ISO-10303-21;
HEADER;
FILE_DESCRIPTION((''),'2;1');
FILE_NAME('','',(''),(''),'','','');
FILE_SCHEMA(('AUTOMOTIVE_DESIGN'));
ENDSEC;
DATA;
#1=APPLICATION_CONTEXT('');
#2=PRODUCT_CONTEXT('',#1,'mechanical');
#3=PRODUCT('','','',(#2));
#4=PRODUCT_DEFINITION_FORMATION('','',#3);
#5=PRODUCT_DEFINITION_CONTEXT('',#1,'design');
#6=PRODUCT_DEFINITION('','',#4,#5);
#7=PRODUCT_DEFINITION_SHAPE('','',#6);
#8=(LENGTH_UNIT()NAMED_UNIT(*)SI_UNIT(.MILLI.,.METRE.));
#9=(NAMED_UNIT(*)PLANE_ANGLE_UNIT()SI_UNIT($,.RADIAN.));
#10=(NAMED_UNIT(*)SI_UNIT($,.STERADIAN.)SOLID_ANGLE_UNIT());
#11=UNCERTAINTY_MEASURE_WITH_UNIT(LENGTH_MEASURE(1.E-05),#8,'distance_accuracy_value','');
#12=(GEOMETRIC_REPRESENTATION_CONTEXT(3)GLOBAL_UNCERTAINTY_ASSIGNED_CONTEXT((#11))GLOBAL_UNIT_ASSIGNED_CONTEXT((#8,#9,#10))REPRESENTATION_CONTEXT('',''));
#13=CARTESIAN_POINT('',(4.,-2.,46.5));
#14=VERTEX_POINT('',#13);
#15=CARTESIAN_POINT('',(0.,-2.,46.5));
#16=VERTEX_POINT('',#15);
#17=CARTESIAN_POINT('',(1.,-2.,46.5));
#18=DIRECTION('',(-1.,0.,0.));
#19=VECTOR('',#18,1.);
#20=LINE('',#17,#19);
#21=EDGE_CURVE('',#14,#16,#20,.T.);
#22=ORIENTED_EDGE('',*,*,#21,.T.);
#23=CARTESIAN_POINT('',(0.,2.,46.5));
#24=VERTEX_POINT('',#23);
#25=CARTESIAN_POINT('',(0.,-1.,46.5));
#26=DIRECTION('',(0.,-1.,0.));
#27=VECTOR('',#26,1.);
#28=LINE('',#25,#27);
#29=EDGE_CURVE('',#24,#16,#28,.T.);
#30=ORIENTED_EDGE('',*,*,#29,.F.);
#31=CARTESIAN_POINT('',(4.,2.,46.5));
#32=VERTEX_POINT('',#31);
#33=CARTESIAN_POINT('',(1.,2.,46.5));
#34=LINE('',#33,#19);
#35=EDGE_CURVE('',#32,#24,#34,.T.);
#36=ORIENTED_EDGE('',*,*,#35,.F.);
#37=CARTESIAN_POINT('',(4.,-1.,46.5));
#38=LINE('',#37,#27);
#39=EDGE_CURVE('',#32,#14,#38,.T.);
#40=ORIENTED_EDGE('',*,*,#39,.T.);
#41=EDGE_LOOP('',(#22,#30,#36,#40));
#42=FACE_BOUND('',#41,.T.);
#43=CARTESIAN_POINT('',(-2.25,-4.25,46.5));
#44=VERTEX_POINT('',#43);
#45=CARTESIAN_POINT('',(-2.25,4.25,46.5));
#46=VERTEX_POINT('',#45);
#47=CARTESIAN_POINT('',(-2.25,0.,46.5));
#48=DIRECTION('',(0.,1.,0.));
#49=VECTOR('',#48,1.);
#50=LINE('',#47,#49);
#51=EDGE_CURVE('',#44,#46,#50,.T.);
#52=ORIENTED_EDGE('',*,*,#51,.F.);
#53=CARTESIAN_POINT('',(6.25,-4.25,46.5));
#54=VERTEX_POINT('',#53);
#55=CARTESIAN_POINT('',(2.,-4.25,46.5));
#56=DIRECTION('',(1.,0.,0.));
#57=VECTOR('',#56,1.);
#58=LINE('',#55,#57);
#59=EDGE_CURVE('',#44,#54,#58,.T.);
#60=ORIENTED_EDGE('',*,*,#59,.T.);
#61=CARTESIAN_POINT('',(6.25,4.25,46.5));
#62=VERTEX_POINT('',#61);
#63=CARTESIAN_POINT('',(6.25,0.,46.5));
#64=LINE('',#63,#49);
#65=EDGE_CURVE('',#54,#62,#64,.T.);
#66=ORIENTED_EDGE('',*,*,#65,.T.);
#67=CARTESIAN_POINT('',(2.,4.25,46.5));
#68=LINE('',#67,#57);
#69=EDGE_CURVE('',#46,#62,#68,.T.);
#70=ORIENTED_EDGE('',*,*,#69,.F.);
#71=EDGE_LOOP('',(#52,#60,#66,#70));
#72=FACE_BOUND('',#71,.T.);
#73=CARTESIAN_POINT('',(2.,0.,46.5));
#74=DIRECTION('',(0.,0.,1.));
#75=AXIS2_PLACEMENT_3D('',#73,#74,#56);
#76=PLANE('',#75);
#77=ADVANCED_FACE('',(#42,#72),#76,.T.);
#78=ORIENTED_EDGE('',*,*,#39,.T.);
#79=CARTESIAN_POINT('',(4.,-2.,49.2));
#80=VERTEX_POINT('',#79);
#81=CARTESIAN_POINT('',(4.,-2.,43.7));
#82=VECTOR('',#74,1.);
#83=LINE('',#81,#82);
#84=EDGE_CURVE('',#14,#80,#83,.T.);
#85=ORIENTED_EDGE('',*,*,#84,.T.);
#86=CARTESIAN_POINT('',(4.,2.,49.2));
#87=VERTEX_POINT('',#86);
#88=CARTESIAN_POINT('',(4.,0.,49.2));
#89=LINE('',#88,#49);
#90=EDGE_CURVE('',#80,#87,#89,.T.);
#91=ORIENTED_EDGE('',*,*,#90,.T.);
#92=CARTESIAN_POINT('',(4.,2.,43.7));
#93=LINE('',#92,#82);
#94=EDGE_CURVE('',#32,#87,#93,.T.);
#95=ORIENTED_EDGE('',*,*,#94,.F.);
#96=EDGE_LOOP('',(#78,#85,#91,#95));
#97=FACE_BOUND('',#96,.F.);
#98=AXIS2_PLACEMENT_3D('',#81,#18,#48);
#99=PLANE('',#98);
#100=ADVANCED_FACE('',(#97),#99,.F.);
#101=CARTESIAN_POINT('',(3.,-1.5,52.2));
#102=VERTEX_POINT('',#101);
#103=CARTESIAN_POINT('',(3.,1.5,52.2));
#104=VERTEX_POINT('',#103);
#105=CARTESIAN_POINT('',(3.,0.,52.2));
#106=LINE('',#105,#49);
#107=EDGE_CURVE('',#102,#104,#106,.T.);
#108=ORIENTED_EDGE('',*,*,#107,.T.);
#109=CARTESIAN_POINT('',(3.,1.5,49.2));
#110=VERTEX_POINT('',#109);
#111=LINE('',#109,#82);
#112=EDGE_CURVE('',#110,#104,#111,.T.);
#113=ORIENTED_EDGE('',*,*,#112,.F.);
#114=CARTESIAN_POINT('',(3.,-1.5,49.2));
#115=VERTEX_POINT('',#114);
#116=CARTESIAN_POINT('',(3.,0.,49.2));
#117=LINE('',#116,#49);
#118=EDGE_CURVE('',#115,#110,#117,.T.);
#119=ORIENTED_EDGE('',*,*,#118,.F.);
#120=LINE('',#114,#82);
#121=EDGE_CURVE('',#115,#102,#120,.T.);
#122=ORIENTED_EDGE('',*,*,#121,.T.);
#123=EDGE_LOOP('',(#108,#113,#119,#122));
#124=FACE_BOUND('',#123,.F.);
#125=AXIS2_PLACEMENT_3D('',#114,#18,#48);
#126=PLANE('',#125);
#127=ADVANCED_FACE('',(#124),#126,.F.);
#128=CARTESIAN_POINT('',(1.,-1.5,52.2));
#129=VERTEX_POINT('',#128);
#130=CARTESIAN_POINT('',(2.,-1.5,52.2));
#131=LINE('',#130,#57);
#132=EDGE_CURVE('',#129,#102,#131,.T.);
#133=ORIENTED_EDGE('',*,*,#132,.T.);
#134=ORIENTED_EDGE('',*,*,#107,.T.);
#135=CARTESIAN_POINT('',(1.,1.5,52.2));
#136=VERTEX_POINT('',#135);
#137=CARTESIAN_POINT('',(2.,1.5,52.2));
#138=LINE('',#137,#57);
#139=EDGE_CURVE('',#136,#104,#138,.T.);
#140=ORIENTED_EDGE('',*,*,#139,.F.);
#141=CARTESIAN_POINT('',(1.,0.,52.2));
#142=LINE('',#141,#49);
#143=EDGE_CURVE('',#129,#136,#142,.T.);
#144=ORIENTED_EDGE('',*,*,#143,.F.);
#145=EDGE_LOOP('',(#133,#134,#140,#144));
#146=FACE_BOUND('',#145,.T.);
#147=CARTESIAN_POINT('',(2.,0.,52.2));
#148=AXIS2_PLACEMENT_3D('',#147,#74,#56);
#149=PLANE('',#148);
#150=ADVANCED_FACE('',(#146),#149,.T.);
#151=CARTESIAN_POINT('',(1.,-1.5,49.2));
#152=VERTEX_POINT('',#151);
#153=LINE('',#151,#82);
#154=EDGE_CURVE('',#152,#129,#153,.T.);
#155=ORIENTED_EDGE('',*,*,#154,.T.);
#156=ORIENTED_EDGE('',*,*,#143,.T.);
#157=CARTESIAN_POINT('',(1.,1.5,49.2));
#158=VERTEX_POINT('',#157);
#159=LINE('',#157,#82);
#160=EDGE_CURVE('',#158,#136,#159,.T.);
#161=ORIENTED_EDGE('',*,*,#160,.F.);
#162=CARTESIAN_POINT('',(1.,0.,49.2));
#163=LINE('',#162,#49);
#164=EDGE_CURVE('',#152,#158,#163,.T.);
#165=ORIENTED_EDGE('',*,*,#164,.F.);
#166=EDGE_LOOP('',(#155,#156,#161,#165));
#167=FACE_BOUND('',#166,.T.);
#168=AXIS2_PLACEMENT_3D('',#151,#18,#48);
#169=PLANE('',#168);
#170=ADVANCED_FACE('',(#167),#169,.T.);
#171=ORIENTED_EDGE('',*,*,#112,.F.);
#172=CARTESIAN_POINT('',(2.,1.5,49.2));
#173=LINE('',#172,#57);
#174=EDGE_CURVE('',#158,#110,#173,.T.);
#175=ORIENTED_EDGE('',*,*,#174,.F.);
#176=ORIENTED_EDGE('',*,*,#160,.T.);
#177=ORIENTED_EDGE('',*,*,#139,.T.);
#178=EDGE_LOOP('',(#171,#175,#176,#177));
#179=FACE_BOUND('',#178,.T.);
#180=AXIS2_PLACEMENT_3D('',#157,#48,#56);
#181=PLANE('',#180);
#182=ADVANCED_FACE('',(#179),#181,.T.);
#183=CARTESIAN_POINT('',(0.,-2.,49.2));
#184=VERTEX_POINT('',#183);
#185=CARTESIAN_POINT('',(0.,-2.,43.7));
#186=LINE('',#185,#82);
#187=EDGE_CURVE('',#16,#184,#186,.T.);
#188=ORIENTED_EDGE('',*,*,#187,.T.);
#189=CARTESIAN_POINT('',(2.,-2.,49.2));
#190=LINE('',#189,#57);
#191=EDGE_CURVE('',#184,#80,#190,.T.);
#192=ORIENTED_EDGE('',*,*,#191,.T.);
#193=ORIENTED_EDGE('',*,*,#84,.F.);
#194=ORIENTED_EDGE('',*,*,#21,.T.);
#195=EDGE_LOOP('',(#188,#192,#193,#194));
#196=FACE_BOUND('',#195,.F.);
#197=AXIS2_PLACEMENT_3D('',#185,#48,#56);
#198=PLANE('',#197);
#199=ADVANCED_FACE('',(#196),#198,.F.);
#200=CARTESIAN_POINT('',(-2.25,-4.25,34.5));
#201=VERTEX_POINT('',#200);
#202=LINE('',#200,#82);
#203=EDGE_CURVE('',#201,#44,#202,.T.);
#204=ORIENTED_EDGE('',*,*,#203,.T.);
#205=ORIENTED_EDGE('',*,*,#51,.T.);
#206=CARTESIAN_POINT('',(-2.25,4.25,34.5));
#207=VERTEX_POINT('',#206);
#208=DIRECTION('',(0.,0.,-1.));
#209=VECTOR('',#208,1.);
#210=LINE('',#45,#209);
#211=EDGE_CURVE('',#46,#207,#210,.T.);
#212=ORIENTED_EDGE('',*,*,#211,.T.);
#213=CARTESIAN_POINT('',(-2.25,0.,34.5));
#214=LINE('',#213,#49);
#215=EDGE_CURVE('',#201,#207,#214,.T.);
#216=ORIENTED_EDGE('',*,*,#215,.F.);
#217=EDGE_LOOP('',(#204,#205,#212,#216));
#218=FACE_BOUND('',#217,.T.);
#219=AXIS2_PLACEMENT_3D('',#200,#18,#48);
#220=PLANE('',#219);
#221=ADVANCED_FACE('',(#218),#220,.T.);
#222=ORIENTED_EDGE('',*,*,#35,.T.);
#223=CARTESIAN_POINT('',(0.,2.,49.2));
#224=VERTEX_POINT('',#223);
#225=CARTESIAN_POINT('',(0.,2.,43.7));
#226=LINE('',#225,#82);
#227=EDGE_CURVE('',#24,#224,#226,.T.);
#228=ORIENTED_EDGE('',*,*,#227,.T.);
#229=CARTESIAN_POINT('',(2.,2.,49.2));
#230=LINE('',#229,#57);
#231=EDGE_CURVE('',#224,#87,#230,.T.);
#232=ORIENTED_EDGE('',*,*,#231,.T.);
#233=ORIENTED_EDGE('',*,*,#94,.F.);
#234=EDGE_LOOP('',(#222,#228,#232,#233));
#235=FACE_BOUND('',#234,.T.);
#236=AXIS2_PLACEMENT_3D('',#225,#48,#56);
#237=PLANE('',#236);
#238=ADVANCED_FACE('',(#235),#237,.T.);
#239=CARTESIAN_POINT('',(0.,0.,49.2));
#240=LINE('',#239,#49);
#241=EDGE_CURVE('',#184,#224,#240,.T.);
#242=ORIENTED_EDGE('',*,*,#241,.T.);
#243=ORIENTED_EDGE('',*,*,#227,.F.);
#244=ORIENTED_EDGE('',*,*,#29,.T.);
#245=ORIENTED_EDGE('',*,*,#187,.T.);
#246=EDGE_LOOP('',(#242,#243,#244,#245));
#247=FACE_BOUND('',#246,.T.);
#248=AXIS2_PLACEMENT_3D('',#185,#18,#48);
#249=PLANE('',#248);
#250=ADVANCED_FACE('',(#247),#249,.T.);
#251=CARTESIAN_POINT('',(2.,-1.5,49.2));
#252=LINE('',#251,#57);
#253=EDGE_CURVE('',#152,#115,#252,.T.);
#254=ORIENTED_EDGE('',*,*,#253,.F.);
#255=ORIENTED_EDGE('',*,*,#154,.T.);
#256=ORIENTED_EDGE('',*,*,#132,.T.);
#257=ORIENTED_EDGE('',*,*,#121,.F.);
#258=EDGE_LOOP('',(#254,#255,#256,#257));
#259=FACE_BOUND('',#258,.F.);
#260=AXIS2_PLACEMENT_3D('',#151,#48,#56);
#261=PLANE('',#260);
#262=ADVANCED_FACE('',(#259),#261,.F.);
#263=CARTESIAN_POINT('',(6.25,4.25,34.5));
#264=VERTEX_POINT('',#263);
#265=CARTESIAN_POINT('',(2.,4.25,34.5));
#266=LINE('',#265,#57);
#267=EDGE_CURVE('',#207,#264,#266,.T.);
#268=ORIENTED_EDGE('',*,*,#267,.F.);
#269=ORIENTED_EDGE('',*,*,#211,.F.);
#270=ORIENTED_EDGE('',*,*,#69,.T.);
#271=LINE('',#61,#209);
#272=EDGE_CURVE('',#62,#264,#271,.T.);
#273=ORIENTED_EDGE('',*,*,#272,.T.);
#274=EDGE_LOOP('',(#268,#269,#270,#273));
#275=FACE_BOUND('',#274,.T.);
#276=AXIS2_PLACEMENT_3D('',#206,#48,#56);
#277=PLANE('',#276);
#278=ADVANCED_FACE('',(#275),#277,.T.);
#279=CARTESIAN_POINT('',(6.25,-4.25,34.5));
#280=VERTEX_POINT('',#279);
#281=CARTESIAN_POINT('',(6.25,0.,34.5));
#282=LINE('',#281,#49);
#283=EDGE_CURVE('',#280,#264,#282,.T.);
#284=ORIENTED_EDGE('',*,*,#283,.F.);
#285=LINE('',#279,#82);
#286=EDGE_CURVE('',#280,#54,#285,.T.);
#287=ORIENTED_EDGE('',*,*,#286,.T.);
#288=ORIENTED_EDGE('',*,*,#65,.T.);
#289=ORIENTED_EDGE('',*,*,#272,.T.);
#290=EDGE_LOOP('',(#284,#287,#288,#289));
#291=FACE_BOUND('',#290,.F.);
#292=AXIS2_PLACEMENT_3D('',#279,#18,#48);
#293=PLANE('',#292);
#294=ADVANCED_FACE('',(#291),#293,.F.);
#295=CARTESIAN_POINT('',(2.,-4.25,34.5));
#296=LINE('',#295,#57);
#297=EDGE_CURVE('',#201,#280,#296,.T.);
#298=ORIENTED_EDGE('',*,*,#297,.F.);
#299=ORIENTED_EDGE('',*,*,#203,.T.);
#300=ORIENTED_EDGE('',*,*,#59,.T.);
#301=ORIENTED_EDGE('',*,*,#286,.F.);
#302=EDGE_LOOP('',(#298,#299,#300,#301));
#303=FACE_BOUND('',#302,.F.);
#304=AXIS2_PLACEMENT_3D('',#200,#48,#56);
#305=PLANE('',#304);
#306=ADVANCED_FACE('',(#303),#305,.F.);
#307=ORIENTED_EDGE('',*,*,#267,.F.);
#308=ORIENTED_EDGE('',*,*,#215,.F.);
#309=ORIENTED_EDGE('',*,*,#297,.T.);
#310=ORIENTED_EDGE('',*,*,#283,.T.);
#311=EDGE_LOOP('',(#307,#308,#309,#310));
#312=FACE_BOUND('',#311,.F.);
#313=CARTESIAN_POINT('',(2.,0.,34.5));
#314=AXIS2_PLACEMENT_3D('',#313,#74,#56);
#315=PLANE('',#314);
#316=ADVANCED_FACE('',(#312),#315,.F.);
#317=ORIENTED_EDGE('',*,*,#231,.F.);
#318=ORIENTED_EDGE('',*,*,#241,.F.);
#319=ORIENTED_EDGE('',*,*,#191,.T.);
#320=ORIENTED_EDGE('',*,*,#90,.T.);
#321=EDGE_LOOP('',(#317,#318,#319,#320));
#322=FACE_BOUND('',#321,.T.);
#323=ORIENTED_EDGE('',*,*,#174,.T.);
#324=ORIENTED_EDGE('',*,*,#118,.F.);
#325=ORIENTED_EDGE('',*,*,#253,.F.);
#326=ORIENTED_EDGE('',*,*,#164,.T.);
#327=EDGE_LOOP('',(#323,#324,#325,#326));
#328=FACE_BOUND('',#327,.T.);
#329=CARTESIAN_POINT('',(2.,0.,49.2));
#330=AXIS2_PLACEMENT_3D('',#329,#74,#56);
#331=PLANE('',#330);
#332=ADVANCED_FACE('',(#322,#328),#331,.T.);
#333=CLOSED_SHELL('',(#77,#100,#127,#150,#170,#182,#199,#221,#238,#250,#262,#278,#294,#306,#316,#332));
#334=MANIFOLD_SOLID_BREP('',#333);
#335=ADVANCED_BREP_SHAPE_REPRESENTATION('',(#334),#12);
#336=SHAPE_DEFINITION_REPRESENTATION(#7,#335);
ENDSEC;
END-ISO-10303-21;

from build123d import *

# Parameters (mm, degrees)
BOX075_W     = 4
BOX075_H     = 4
BOX075_DEPTH = 5.5
BOX076_W     = 8.5
BOX076_H     = 8.5
BOX076_DEPTH = 3.5
BOX078_W     = 2
BOX078_H     = 3
BOX078_DEPTH = 3
BOX074_W     = 8.5
BOX074_H     = 8.5
BOX074_DEPTH = 8.5


with BuildPart() as plunger:
    # Box075 → Box075 (new body)
    with BuildSketch(Plane(origin=(-2, -2, 5.7), x_dir=(1, 0, 0), z_dir=(0, 0, 1))):
        with Locations((2, 2)):
            Rectangle(BOX075_W, BOX075_H)
    extrude(amount=BOX075_DEPTH)


with BuildPart() as pins:
    # Box076 → Box076 (new body)
    with BuildSketch(Plane(origin=(-4.25, -4.25, -3.5), x_dir=(1, 0, 0), z_dir=(0, 0, 1))):
        with Locations((4.25, 4.25)):
            Rectangle(BOX076_W, BOX076_H)
    extrude(amount=BOX076_DEPTH)


with BuildPart() as plunger001:
    # Box078 → Box078 (new body)
    with BuildSketch(Plane(origin=(-1, -1.5, 11.2), x_dir=(1, 0, 0), z_dir=(0, 0, 1))):
        with Locations((1, 1.5)):
            Rectangle(BOX078_W, BOX078_H)
    extrude(amount=BOX078_DEPTH)


with BuildPart() as switch002:
    # Box074 → Box074 (new body)
    with BuildSketch(Plane(origin=(-4.25, -4.25, 0), x_dir=(1, 0, 0), z_dir=(0, 0, 1))):
        with Locations((4.25, 4.25)):
            Rectangle(BOX074_W, BOX074_H)
    extrude(amount=BOX074_DEPTH)

    # Fusion024: union plunger, pins, plunger001
    add(plunger.part)
    add(pins.part)
    add(plunger001.part)


with BuildPart() as switch002_1:
    # Body placement: moved
    add(switch002.part.moved(Location((2, 0, 38))))


solid = switch002_1.part
